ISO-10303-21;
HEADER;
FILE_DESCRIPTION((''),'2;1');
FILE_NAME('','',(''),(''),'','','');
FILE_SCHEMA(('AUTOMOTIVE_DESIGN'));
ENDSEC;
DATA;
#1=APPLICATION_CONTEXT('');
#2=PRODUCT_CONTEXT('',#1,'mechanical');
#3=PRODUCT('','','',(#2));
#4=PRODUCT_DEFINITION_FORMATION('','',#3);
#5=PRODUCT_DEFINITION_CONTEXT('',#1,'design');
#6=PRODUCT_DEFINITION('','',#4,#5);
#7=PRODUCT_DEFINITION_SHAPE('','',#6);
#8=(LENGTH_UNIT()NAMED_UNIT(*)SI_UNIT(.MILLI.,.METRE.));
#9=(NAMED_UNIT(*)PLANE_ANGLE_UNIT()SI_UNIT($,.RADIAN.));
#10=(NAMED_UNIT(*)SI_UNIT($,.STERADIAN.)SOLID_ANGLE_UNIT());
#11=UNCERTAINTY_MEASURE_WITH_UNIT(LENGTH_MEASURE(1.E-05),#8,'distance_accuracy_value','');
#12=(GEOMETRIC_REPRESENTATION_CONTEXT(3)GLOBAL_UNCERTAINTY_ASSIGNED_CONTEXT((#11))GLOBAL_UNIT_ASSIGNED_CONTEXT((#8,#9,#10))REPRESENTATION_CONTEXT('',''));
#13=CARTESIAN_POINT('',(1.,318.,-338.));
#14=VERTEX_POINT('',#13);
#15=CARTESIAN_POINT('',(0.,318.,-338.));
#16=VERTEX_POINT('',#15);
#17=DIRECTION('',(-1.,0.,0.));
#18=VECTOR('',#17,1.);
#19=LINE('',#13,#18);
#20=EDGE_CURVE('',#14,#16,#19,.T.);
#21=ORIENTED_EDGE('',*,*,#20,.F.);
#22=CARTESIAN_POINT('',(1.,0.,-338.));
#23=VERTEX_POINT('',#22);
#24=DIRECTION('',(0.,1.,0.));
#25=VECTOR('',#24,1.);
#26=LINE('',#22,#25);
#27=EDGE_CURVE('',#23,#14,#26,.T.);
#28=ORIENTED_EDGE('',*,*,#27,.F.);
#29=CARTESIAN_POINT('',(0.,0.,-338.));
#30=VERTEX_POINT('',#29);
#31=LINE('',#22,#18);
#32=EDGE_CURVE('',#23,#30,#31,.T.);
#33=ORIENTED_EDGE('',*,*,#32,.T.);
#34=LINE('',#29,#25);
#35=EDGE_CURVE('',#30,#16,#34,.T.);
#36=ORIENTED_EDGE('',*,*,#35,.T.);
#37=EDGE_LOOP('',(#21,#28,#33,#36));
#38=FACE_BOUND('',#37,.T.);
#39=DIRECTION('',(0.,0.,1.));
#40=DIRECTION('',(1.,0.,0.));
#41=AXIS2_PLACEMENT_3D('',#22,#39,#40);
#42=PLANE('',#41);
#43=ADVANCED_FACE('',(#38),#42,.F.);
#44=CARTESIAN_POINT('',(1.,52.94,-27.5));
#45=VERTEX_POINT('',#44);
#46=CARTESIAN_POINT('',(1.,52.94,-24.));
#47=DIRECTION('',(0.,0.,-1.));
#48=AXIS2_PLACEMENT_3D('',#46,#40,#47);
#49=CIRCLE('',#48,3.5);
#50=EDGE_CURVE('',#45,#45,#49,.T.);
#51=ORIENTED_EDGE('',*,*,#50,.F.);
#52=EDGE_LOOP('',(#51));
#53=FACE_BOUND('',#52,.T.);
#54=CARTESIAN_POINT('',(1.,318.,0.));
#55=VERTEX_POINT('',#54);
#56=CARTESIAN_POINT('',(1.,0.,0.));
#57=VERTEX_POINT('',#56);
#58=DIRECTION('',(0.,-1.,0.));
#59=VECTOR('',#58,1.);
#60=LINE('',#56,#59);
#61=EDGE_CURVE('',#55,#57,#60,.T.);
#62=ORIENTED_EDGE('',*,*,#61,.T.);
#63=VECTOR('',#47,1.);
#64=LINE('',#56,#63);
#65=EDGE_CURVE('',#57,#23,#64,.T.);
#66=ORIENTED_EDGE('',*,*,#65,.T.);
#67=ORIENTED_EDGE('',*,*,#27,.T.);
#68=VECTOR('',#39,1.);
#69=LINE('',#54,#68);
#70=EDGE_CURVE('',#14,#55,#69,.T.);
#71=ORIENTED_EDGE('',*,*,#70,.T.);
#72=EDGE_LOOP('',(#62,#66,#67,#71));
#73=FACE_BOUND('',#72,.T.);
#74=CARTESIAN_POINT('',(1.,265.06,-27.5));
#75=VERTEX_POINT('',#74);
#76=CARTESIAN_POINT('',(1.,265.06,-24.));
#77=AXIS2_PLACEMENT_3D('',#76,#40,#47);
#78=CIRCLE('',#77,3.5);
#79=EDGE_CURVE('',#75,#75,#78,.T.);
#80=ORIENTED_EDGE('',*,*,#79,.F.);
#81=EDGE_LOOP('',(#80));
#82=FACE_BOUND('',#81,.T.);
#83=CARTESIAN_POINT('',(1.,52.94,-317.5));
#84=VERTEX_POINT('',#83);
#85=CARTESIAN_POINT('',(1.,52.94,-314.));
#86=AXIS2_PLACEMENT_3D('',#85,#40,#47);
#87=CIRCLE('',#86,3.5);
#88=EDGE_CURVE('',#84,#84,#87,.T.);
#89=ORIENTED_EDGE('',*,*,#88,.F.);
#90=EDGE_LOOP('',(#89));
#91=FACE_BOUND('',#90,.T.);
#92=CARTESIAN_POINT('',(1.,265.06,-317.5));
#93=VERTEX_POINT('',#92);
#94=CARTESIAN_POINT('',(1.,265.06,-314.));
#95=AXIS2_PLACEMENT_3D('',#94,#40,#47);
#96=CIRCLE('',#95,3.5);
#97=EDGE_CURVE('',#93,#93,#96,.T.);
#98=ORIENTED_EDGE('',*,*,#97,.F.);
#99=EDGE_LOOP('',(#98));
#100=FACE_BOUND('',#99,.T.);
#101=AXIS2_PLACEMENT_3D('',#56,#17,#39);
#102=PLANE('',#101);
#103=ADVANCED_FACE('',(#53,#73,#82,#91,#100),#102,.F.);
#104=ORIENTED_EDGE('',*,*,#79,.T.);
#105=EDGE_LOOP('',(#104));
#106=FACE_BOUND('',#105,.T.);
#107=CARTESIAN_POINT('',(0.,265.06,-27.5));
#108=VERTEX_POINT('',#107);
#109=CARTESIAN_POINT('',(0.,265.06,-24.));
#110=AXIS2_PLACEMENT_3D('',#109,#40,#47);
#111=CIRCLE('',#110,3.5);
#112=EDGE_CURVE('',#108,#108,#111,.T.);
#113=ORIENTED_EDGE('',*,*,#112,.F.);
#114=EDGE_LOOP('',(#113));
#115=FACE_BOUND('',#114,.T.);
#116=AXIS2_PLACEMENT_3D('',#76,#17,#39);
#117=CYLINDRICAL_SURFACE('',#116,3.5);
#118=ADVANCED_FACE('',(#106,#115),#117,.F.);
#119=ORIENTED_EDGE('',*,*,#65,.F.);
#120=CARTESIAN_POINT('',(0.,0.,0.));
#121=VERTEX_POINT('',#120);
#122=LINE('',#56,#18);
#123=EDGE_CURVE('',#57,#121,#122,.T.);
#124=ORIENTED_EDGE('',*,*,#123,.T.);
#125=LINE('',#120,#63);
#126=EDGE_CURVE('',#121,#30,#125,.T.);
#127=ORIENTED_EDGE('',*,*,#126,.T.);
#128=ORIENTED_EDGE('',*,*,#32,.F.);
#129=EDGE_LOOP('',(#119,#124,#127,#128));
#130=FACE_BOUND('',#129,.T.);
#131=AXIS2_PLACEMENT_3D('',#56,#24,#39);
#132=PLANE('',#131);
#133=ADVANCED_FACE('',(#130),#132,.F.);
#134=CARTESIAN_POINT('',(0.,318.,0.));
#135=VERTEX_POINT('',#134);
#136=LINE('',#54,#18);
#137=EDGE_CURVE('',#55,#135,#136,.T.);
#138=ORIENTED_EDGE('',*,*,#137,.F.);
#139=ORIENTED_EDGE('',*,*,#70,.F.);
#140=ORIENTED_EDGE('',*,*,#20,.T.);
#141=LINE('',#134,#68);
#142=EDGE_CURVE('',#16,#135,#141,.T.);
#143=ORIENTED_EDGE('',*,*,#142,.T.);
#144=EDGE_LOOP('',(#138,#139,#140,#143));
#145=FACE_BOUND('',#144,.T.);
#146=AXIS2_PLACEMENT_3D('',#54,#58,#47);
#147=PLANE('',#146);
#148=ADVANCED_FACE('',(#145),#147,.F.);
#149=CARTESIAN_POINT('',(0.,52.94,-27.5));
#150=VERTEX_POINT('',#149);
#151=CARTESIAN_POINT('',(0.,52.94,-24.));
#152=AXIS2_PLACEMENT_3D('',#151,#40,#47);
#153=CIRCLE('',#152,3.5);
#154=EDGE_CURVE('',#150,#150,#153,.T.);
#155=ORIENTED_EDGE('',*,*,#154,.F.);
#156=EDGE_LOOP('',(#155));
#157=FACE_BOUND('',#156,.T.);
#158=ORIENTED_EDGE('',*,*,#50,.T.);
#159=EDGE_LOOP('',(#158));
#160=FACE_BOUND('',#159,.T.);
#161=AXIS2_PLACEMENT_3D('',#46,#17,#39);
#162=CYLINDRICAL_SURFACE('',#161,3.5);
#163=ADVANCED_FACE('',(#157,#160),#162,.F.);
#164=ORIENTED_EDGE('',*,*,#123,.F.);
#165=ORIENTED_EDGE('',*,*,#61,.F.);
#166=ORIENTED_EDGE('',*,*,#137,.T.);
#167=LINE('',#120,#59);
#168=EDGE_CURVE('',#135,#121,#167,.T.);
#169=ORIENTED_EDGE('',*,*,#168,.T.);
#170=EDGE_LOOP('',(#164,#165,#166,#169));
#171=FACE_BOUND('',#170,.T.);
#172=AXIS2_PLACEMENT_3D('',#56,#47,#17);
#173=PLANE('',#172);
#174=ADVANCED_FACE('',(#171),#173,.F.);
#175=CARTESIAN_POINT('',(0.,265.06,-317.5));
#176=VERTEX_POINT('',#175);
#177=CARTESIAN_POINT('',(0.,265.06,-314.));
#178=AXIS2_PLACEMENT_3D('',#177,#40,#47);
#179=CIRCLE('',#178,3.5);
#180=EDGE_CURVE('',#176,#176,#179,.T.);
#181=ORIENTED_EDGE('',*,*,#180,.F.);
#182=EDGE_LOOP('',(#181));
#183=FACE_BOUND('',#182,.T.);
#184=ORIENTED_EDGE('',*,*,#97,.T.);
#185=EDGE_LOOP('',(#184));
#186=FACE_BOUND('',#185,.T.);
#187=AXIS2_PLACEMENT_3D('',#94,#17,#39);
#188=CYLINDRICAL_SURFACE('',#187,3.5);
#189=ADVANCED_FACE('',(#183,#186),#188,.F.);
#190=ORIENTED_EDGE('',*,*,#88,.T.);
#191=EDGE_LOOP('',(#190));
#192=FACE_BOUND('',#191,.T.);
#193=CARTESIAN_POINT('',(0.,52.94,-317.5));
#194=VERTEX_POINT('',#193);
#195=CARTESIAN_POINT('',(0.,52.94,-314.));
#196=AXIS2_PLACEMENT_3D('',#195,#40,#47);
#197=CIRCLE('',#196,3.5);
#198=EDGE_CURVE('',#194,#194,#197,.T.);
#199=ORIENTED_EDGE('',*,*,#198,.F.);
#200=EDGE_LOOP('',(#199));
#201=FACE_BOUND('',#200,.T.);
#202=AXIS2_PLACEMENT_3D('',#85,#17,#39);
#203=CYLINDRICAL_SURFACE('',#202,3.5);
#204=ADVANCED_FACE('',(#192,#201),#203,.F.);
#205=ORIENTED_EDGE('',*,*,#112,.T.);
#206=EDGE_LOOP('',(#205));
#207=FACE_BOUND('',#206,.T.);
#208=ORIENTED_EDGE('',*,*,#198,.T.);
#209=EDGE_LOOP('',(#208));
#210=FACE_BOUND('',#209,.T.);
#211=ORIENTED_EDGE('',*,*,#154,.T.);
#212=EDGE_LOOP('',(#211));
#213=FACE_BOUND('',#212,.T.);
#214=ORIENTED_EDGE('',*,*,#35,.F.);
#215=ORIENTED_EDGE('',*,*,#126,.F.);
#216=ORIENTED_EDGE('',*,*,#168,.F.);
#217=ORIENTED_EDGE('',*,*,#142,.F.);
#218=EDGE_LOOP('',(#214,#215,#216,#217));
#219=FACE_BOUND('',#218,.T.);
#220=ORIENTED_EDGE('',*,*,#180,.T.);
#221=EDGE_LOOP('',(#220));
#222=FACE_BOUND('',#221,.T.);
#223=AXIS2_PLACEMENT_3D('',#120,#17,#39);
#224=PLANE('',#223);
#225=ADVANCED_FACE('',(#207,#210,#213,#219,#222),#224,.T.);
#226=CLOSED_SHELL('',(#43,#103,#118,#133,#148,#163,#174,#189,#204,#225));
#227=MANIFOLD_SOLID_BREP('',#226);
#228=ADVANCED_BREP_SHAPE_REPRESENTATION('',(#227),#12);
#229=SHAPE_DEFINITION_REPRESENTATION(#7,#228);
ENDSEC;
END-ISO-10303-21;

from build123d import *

# Parameters (mm, degrees)
SKETCH1_W           = 338
SKETCH1_H           = 318
SKETCH1_R           = 3.5
BOSS_EXTRUDE1_DEPTH = 1


with BuildPart() as part:
    # Sketch1 → Boss-Extrude1 (new body)
    with BuildSketch(Plane(origin=(0, 0, 0), x_dir=(0, 0, -1), z_dir=(1, 0, 0))):
        with Locations((169, 159)):
            Rectangle(SKETCH1_W, SKETCH1_H)
        with Locations((24, 265.06)):
            Circle(SKETCH1_R, mode=Mode.SUBTRACT)
        with Locations((314, 265.06)):
            Circle(SKETCH1_R, mode=Mode.SUBTRACT)
        with Locations((314, 52.94)):
            Circle(SKETCH1_R, mode=Mode.SUBTRACT)
        with Locations((24, 52.94)):
            Circle(SKETCH1_R, mode=Mode.SUBTRACT)
    extrude(amount=BOSS_EXTRUDE1_DEPTH)


solid = part.part
